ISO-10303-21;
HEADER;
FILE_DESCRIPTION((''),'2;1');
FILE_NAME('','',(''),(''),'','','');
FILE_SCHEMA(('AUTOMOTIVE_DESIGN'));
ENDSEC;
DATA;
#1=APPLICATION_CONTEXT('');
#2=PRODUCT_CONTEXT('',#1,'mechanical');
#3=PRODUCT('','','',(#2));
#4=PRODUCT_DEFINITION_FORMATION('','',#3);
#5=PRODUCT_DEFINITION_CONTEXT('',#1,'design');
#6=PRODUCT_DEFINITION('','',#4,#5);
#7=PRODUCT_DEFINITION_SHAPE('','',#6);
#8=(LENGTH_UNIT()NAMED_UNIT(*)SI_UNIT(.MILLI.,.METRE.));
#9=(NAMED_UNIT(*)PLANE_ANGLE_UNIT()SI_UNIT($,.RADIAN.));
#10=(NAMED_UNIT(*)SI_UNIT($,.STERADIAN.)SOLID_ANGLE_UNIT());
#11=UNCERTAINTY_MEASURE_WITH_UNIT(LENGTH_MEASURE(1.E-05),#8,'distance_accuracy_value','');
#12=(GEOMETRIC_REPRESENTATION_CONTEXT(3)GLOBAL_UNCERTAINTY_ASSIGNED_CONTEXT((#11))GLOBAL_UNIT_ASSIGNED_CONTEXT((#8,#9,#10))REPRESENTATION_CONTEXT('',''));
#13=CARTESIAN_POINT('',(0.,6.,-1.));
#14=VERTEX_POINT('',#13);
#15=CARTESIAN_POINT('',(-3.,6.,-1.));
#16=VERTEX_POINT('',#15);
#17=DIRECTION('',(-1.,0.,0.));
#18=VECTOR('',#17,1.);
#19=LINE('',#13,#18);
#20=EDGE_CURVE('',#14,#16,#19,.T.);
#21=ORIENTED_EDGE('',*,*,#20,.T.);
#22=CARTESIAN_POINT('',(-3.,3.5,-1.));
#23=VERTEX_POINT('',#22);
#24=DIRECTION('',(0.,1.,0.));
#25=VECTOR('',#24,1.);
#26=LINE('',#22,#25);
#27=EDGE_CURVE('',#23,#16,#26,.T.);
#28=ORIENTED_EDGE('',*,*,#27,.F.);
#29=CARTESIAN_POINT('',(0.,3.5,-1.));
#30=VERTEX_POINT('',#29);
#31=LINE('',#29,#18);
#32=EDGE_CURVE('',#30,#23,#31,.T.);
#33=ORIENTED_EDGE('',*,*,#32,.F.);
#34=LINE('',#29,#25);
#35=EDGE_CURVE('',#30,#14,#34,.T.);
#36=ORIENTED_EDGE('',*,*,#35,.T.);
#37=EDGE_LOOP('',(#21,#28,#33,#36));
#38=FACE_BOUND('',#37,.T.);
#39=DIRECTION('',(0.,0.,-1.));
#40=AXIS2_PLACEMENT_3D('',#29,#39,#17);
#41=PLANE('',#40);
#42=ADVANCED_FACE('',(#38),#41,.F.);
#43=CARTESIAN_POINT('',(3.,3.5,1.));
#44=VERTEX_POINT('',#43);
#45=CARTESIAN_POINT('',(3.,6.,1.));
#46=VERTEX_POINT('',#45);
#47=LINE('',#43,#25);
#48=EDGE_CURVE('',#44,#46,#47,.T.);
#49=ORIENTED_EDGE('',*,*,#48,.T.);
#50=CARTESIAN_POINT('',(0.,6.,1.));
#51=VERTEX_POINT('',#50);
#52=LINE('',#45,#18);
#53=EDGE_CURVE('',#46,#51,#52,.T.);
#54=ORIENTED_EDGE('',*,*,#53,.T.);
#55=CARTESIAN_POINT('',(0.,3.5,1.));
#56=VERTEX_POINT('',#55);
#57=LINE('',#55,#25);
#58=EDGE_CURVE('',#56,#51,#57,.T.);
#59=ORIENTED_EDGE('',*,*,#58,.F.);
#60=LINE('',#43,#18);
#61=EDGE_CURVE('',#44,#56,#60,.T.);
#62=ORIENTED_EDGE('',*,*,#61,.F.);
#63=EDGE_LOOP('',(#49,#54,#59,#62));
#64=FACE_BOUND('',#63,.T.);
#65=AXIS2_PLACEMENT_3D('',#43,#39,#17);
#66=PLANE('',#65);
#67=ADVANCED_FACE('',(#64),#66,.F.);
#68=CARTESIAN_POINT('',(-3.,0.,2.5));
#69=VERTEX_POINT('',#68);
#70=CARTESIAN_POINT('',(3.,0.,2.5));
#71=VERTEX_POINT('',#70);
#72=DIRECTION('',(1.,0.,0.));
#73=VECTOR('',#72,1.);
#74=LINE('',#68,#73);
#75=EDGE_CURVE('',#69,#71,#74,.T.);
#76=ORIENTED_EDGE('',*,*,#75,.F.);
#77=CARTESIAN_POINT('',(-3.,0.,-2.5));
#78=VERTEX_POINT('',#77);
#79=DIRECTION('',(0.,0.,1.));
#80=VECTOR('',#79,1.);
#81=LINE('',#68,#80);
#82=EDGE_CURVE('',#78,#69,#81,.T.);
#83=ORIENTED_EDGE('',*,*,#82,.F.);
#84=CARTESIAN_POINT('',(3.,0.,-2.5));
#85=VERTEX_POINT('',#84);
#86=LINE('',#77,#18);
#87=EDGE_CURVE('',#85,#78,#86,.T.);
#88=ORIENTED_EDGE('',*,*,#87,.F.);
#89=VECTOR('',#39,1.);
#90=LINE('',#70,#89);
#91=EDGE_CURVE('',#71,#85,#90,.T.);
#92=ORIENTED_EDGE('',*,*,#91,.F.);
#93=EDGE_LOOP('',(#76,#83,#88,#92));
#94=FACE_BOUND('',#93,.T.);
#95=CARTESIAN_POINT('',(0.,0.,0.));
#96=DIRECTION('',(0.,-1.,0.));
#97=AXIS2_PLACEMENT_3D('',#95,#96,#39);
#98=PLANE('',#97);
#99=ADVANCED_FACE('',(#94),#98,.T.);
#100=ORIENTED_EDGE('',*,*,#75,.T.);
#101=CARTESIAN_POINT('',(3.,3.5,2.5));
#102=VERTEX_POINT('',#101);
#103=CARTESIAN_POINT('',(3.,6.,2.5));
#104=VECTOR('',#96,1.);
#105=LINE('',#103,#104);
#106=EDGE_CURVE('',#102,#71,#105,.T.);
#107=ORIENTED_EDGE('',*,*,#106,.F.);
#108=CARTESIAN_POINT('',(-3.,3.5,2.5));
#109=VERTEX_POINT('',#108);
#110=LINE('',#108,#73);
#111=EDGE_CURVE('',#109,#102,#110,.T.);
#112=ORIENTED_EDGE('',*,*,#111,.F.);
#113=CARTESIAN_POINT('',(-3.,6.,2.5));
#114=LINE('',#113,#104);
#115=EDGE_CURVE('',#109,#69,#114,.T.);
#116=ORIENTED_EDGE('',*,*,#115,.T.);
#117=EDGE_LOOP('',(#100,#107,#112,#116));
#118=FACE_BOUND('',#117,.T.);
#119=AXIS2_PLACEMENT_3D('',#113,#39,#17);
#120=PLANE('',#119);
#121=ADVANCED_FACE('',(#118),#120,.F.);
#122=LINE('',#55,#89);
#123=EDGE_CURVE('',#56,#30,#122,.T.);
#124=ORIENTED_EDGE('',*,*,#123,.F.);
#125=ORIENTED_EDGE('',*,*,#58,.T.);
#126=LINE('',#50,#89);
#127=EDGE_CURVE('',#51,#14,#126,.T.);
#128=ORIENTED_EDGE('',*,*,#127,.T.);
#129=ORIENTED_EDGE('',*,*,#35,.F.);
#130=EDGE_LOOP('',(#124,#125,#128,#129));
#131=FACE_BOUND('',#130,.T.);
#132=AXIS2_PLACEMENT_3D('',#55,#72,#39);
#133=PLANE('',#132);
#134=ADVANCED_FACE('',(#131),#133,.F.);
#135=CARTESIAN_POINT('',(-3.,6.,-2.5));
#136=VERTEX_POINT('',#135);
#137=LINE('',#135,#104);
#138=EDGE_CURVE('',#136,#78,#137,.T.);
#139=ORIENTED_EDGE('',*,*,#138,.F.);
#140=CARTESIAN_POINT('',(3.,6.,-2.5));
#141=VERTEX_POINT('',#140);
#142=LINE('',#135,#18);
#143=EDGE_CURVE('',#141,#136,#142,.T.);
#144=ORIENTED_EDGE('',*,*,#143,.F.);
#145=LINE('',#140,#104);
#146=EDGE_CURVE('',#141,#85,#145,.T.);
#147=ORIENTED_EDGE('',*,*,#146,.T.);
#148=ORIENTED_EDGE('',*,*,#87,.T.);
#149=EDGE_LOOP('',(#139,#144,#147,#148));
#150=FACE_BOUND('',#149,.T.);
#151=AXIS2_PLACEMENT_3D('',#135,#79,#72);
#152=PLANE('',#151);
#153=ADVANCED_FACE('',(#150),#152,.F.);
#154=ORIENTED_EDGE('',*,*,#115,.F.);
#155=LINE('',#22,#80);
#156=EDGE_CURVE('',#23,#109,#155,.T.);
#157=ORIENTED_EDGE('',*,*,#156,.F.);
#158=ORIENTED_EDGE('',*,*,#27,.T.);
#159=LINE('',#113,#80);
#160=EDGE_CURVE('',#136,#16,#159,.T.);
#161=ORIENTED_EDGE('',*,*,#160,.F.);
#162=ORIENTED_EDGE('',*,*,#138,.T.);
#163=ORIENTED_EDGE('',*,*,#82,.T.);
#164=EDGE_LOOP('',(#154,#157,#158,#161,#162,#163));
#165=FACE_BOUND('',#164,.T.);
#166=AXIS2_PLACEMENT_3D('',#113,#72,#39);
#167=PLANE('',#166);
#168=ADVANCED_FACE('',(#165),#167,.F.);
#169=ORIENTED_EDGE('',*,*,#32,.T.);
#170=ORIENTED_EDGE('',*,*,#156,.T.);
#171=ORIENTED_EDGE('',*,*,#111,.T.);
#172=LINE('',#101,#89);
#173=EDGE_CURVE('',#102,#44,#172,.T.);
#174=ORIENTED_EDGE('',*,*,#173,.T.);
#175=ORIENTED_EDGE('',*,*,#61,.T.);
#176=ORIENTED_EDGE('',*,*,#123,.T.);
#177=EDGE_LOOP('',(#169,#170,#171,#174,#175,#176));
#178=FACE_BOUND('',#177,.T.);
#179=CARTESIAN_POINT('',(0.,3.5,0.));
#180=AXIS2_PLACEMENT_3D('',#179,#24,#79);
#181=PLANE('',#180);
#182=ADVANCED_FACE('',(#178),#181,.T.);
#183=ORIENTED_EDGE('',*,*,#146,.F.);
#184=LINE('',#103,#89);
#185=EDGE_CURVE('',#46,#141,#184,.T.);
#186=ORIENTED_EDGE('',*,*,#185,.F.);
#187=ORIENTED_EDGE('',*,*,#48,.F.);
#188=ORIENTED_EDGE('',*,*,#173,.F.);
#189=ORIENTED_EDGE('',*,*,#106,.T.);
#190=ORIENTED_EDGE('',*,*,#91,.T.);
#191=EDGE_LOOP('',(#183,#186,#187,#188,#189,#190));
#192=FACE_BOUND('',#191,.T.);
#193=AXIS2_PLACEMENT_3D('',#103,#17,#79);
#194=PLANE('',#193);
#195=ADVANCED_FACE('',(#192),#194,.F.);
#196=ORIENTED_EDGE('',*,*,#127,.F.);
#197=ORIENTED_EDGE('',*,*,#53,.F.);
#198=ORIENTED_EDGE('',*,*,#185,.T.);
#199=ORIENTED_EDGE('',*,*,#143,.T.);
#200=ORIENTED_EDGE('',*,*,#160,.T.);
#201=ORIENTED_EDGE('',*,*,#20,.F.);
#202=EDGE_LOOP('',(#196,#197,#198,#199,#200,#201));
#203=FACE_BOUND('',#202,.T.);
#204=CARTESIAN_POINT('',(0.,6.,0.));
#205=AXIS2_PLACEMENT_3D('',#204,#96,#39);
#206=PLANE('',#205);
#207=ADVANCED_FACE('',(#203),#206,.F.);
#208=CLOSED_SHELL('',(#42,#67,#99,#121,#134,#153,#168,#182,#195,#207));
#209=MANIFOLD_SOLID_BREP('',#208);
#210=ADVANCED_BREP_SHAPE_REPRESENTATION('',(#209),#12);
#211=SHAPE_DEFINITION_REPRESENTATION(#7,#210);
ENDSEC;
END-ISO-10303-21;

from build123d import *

# Parameters (mm, degrees)
SKETCH1_W           = 6
SKETCH1_H           = 5
BOSS_EXTRUDE1_DEPTH = 6
CUT_EXTRUDE1_DEPTH  = 2.5


with BuildPart() as part:
    # Sketch1 → Boss-Extrude1 (new body)
    with BuildSketch(Plane(origin=(0, 0, 0), x_dir=(1, 0, 0), z_dir=(0, 1, 0))):
        Rectangle(SKETCH1_W, SKETCH1_H)
    extrude(amount=BOSS_EXTRUDE1_DEPTH)

    # Sketch2 → Cut-Extrude1 (cut)
    with BuildSketch(Plane(origin=(0, 6, 0), x_dir=(1, 0, 0), z_dir=(0, 1, 0))):
        Polygon((3, -1), (0, -1), (0, 1), (-3, 1), (-3, -2.5), (3, -2.5), align=None)
    extrude(amount=-CUT_EXTRUDE1_DEPTH, mode=Mode.SUBTRACT)


solid = part.part
